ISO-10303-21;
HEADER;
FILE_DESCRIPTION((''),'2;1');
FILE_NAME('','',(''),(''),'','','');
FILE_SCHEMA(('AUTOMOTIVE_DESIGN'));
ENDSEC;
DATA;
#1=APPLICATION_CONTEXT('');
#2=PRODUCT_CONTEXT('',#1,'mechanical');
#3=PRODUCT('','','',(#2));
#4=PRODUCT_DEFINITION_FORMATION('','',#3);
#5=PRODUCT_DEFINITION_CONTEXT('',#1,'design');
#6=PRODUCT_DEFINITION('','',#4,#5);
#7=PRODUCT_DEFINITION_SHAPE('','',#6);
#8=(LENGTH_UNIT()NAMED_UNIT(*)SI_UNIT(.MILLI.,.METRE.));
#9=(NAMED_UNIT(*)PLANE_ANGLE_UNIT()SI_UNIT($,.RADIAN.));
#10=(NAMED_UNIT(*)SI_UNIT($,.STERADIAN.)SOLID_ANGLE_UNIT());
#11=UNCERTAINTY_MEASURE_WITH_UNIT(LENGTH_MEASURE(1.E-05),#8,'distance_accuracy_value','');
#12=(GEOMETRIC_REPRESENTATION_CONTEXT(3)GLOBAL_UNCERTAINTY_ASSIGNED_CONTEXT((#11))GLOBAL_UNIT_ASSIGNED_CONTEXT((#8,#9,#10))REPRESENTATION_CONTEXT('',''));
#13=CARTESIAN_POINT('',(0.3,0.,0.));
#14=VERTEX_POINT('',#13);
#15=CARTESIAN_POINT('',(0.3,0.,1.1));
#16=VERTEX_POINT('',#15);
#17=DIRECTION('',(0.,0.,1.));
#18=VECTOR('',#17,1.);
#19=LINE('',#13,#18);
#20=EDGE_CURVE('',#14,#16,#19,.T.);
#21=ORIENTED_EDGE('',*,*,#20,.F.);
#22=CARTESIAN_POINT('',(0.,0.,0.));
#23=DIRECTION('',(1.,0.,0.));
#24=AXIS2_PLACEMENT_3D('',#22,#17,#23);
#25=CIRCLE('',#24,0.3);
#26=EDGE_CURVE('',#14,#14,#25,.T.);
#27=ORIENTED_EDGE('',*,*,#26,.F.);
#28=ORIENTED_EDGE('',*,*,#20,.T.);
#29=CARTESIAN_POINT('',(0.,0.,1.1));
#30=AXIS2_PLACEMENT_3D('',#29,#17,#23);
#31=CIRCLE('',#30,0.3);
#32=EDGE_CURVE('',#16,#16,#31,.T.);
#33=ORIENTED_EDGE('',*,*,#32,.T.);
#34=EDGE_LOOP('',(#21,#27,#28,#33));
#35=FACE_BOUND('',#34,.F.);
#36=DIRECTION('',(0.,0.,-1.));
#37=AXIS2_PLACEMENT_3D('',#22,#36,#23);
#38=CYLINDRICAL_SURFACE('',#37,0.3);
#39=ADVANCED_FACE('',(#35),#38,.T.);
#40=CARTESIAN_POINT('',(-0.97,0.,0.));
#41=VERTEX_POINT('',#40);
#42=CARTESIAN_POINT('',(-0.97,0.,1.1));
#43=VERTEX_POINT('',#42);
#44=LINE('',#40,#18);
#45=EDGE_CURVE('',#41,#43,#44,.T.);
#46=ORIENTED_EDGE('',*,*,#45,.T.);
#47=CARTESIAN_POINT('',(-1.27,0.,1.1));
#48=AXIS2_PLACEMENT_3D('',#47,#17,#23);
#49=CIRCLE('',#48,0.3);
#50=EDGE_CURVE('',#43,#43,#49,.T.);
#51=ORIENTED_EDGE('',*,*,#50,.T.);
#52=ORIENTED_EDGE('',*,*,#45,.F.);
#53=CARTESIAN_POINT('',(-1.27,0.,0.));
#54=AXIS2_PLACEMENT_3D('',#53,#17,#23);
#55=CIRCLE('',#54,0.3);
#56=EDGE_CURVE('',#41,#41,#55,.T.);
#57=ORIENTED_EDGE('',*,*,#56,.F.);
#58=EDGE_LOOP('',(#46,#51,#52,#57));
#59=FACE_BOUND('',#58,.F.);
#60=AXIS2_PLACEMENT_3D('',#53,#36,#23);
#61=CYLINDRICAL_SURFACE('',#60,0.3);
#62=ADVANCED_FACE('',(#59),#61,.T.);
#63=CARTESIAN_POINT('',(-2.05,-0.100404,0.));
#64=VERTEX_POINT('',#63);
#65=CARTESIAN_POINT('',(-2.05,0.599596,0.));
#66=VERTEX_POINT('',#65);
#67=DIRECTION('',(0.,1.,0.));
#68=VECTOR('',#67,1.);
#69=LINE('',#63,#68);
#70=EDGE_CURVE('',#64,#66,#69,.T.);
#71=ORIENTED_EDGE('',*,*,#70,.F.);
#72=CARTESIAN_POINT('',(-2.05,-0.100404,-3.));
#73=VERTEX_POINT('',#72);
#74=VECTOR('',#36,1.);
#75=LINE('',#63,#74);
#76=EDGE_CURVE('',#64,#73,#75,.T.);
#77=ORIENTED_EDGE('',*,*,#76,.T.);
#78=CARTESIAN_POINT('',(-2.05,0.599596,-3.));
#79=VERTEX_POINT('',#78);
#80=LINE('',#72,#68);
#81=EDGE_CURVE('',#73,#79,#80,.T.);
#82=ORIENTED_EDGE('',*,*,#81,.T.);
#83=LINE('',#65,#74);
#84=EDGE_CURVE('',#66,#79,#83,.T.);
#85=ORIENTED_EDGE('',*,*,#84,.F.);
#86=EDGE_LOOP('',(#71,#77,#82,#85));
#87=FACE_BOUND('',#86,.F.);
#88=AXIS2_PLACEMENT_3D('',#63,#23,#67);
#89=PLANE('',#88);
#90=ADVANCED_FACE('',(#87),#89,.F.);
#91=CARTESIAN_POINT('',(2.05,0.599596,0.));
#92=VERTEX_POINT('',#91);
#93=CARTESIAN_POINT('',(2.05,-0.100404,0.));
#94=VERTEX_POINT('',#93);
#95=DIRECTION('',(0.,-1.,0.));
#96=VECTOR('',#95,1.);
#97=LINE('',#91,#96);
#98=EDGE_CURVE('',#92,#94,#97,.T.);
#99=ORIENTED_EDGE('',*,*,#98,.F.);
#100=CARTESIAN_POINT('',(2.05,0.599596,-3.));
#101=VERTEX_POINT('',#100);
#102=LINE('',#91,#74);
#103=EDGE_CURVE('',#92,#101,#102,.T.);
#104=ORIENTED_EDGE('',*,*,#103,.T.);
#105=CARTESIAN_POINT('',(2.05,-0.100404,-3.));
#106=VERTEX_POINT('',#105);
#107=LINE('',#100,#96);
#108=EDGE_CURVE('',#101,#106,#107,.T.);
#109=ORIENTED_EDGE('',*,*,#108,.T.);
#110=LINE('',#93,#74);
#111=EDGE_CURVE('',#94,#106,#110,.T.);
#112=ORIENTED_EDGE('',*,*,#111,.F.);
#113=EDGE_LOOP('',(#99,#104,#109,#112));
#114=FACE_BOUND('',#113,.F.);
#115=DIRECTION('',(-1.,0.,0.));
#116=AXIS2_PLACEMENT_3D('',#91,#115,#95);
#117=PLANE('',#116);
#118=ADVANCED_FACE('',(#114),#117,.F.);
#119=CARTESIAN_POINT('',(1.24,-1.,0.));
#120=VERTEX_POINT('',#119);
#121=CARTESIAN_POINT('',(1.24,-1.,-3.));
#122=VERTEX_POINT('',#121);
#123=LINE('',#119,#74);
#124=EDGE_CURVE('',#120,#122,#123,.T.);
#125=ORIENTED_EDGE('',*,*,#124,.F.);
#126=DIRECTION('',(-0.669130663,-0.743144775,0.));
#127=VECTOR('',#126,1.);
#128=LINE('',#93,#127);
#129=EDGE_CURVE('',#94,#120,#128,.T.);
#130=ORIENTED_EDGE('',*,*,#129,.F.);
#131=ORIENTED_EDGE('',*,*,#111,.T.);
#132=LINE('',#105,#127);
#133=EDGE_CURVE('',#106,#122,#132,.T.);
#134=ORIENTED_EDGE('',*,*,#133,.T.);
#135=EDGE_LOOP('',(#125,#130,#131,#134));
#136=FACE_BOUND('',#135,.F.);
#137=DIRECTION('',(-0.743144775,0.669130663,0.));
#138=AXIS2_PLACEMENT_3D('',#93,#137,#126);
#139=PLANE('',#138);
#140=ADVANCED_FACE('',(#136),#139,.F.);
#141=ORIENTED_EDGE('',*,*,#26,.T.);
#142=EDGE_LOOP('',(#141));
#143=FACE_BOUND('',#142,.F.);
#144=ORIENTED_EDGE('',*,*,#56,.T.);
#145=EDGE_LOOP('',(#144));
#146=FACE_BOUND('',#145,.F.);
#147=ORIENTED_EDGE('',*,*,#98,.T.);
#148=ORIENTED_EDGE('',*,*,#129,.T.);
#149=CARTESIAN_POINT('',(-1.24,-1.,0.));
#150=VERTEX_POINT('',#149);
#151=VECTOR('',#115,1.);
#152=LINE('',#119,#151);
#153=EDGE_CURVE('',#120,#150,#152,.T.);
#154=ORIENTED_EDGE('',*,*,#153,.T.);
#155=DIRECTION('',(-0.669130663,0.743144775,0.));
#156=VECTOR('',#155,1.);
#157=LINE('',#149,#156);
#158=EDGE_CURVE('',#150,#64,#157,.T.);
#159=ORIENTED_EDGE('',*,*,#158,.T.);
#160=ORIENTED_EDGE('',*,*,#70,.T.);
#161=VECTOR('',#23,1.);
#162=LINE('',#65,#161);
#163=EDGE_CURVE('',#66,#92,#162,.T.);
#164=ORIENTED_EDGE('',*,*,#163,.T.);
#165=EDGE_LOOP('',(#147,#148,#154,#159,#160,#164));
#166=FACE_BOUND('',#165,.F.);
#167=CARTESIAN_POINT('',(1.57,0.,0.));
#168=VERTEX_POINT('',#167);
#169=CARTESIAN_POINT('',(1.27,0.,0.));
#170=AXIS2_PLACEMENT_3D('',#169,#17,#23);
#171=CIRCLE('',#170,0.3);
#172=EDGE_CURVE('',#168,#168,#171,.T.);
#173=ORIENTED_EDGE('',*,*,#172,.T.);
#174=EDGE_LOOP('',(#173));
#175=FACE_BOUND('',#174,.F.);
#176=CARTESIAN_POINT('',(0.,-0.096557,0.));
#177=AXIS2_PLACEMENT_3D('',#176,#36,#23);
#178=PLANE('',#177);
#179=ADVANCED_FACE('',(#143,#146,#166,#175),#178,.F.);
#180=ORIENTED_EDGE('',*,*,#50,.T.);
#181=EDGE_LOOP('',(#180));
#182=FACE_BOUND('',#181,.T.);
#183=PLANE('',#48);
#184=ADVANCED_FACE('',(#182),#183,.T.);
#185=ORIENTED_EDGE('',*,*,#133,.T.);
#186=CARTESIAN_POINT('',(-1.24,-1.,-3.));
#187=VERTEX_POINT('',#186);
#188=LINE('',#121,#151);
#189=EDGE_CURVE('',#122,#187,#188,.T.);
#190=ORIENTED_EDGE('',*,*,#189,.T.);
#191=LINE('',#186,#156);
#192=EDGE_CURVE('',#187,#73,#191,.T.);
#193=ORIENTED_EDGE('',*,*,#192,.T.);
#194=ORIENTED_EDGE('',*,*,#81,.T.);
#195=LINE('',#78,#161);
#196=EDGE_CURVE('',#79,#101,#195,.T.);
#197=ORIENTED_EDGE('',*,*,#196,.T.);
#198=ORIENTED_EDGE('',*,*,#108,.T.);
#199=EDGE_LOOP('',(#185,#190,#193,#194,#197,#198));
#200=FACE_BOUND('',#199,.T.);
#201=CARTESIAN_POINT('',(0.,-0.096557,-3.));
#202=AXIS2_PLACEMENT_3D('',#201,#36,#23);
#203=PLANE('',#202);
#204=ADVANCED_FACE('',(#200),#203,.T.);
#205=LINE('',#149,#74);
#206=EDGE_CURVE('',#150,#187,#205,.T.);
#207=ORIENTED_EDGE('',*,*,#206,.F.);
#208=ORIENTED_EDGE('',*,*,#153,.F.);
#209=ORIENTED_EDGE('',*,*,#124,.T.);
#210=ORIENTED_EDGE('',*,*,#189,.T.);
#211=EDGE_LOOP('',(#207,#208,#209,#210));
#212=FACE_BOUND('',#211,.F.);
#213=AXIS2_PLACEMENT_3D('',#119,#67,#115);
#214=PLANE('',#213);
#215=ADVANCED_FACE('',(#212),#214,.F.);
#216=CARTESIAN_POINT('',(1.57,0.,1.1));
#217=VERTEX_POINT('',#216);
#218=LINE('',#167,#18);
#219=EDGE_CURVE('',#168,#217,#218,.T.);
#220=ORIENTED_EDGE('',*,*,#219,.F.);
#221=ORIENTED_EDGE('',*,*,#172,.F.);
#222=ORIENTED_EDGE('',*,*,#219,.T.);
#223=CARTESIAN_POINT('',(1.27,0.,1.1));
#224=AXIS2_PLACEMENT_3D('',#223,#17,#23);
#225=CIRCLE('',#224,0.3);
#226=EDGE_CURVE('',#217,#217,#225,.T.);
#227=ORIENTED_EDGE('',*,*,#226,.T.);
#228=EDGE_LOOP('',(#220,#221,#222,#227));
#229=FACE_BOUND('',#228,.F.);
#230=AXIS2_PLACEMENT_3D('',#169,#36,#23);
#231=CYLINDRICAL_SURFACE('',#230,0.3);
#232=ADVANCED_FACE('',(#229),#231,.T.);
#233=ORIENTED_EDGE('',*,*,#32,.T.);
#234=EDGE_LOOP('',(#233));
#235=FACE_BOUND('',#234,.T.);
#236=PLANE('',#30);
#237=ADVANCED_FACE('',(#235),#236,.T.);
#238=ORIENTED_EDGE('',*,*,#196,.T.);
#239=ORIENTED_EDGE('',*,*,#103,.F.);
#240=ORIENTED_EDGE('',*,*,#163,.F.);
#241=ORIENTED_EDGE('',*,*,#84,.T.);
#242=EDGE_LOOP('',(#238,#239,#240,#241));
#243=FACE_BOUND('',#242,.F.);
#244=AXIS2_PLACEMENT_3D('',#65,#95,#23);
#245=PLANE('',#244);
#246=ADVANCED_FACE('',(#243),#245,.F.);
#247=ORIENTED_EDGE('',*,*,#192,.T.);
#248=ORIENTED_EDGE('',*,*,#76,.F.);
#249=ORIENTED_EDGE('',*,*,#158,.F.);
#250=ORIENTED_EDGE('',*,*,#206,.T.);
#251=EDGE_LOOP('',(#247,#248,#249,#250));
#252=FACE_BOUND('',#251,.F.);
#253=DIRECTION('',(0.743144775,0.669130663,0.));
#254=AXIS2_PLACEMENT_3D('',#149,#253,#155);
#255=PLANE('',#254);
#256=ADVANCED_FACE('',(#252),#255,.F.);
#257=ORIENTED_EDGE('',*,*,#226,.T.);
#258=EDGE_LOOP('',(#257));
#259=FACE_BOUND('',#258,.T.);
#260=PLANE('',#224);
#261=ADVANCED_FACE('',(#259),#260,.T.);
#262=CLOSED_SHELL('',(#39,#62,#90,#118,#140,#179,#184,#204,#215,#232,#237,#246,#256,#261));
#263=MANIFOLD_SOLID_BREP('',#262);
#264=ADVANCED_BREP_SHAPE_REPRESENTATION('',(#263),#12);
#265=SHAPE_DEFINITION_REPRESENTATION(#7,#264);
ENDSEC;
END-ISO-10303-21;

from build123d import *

# Parameters (mm, degrees)
F0_R     = 0.3
F1_DEPTH = 1.1
F3_DEPTH = 3


with BuildPart() as f1:
    # F0 (on Top) → F1 (new body)
    with BuildSketch(Plane.XY):
        Circle(F0_R)
        with Locations((1.27, 0)):
            Circle(F0_R)
        with Locations((-1.27, 0)):
            Circle(F0_R)
    extrude(amount=F1_DEPTH)

    # F2 (on face) → F3 (join)
    with BuildSketch(Plane(origin=(0, 0, 0), x_dir=(1, 0, 0), z_dir=(0, 0, -1))):
        Polygon((1.24, 1), (-1.24, 1), (-2.05, 0.100404), (-2.05, -0.599596), (2.05, -0.599596), (2.05, 0.100404), align=None)
    extrude(amount=F3_DEPTH)


solid = f1.part
